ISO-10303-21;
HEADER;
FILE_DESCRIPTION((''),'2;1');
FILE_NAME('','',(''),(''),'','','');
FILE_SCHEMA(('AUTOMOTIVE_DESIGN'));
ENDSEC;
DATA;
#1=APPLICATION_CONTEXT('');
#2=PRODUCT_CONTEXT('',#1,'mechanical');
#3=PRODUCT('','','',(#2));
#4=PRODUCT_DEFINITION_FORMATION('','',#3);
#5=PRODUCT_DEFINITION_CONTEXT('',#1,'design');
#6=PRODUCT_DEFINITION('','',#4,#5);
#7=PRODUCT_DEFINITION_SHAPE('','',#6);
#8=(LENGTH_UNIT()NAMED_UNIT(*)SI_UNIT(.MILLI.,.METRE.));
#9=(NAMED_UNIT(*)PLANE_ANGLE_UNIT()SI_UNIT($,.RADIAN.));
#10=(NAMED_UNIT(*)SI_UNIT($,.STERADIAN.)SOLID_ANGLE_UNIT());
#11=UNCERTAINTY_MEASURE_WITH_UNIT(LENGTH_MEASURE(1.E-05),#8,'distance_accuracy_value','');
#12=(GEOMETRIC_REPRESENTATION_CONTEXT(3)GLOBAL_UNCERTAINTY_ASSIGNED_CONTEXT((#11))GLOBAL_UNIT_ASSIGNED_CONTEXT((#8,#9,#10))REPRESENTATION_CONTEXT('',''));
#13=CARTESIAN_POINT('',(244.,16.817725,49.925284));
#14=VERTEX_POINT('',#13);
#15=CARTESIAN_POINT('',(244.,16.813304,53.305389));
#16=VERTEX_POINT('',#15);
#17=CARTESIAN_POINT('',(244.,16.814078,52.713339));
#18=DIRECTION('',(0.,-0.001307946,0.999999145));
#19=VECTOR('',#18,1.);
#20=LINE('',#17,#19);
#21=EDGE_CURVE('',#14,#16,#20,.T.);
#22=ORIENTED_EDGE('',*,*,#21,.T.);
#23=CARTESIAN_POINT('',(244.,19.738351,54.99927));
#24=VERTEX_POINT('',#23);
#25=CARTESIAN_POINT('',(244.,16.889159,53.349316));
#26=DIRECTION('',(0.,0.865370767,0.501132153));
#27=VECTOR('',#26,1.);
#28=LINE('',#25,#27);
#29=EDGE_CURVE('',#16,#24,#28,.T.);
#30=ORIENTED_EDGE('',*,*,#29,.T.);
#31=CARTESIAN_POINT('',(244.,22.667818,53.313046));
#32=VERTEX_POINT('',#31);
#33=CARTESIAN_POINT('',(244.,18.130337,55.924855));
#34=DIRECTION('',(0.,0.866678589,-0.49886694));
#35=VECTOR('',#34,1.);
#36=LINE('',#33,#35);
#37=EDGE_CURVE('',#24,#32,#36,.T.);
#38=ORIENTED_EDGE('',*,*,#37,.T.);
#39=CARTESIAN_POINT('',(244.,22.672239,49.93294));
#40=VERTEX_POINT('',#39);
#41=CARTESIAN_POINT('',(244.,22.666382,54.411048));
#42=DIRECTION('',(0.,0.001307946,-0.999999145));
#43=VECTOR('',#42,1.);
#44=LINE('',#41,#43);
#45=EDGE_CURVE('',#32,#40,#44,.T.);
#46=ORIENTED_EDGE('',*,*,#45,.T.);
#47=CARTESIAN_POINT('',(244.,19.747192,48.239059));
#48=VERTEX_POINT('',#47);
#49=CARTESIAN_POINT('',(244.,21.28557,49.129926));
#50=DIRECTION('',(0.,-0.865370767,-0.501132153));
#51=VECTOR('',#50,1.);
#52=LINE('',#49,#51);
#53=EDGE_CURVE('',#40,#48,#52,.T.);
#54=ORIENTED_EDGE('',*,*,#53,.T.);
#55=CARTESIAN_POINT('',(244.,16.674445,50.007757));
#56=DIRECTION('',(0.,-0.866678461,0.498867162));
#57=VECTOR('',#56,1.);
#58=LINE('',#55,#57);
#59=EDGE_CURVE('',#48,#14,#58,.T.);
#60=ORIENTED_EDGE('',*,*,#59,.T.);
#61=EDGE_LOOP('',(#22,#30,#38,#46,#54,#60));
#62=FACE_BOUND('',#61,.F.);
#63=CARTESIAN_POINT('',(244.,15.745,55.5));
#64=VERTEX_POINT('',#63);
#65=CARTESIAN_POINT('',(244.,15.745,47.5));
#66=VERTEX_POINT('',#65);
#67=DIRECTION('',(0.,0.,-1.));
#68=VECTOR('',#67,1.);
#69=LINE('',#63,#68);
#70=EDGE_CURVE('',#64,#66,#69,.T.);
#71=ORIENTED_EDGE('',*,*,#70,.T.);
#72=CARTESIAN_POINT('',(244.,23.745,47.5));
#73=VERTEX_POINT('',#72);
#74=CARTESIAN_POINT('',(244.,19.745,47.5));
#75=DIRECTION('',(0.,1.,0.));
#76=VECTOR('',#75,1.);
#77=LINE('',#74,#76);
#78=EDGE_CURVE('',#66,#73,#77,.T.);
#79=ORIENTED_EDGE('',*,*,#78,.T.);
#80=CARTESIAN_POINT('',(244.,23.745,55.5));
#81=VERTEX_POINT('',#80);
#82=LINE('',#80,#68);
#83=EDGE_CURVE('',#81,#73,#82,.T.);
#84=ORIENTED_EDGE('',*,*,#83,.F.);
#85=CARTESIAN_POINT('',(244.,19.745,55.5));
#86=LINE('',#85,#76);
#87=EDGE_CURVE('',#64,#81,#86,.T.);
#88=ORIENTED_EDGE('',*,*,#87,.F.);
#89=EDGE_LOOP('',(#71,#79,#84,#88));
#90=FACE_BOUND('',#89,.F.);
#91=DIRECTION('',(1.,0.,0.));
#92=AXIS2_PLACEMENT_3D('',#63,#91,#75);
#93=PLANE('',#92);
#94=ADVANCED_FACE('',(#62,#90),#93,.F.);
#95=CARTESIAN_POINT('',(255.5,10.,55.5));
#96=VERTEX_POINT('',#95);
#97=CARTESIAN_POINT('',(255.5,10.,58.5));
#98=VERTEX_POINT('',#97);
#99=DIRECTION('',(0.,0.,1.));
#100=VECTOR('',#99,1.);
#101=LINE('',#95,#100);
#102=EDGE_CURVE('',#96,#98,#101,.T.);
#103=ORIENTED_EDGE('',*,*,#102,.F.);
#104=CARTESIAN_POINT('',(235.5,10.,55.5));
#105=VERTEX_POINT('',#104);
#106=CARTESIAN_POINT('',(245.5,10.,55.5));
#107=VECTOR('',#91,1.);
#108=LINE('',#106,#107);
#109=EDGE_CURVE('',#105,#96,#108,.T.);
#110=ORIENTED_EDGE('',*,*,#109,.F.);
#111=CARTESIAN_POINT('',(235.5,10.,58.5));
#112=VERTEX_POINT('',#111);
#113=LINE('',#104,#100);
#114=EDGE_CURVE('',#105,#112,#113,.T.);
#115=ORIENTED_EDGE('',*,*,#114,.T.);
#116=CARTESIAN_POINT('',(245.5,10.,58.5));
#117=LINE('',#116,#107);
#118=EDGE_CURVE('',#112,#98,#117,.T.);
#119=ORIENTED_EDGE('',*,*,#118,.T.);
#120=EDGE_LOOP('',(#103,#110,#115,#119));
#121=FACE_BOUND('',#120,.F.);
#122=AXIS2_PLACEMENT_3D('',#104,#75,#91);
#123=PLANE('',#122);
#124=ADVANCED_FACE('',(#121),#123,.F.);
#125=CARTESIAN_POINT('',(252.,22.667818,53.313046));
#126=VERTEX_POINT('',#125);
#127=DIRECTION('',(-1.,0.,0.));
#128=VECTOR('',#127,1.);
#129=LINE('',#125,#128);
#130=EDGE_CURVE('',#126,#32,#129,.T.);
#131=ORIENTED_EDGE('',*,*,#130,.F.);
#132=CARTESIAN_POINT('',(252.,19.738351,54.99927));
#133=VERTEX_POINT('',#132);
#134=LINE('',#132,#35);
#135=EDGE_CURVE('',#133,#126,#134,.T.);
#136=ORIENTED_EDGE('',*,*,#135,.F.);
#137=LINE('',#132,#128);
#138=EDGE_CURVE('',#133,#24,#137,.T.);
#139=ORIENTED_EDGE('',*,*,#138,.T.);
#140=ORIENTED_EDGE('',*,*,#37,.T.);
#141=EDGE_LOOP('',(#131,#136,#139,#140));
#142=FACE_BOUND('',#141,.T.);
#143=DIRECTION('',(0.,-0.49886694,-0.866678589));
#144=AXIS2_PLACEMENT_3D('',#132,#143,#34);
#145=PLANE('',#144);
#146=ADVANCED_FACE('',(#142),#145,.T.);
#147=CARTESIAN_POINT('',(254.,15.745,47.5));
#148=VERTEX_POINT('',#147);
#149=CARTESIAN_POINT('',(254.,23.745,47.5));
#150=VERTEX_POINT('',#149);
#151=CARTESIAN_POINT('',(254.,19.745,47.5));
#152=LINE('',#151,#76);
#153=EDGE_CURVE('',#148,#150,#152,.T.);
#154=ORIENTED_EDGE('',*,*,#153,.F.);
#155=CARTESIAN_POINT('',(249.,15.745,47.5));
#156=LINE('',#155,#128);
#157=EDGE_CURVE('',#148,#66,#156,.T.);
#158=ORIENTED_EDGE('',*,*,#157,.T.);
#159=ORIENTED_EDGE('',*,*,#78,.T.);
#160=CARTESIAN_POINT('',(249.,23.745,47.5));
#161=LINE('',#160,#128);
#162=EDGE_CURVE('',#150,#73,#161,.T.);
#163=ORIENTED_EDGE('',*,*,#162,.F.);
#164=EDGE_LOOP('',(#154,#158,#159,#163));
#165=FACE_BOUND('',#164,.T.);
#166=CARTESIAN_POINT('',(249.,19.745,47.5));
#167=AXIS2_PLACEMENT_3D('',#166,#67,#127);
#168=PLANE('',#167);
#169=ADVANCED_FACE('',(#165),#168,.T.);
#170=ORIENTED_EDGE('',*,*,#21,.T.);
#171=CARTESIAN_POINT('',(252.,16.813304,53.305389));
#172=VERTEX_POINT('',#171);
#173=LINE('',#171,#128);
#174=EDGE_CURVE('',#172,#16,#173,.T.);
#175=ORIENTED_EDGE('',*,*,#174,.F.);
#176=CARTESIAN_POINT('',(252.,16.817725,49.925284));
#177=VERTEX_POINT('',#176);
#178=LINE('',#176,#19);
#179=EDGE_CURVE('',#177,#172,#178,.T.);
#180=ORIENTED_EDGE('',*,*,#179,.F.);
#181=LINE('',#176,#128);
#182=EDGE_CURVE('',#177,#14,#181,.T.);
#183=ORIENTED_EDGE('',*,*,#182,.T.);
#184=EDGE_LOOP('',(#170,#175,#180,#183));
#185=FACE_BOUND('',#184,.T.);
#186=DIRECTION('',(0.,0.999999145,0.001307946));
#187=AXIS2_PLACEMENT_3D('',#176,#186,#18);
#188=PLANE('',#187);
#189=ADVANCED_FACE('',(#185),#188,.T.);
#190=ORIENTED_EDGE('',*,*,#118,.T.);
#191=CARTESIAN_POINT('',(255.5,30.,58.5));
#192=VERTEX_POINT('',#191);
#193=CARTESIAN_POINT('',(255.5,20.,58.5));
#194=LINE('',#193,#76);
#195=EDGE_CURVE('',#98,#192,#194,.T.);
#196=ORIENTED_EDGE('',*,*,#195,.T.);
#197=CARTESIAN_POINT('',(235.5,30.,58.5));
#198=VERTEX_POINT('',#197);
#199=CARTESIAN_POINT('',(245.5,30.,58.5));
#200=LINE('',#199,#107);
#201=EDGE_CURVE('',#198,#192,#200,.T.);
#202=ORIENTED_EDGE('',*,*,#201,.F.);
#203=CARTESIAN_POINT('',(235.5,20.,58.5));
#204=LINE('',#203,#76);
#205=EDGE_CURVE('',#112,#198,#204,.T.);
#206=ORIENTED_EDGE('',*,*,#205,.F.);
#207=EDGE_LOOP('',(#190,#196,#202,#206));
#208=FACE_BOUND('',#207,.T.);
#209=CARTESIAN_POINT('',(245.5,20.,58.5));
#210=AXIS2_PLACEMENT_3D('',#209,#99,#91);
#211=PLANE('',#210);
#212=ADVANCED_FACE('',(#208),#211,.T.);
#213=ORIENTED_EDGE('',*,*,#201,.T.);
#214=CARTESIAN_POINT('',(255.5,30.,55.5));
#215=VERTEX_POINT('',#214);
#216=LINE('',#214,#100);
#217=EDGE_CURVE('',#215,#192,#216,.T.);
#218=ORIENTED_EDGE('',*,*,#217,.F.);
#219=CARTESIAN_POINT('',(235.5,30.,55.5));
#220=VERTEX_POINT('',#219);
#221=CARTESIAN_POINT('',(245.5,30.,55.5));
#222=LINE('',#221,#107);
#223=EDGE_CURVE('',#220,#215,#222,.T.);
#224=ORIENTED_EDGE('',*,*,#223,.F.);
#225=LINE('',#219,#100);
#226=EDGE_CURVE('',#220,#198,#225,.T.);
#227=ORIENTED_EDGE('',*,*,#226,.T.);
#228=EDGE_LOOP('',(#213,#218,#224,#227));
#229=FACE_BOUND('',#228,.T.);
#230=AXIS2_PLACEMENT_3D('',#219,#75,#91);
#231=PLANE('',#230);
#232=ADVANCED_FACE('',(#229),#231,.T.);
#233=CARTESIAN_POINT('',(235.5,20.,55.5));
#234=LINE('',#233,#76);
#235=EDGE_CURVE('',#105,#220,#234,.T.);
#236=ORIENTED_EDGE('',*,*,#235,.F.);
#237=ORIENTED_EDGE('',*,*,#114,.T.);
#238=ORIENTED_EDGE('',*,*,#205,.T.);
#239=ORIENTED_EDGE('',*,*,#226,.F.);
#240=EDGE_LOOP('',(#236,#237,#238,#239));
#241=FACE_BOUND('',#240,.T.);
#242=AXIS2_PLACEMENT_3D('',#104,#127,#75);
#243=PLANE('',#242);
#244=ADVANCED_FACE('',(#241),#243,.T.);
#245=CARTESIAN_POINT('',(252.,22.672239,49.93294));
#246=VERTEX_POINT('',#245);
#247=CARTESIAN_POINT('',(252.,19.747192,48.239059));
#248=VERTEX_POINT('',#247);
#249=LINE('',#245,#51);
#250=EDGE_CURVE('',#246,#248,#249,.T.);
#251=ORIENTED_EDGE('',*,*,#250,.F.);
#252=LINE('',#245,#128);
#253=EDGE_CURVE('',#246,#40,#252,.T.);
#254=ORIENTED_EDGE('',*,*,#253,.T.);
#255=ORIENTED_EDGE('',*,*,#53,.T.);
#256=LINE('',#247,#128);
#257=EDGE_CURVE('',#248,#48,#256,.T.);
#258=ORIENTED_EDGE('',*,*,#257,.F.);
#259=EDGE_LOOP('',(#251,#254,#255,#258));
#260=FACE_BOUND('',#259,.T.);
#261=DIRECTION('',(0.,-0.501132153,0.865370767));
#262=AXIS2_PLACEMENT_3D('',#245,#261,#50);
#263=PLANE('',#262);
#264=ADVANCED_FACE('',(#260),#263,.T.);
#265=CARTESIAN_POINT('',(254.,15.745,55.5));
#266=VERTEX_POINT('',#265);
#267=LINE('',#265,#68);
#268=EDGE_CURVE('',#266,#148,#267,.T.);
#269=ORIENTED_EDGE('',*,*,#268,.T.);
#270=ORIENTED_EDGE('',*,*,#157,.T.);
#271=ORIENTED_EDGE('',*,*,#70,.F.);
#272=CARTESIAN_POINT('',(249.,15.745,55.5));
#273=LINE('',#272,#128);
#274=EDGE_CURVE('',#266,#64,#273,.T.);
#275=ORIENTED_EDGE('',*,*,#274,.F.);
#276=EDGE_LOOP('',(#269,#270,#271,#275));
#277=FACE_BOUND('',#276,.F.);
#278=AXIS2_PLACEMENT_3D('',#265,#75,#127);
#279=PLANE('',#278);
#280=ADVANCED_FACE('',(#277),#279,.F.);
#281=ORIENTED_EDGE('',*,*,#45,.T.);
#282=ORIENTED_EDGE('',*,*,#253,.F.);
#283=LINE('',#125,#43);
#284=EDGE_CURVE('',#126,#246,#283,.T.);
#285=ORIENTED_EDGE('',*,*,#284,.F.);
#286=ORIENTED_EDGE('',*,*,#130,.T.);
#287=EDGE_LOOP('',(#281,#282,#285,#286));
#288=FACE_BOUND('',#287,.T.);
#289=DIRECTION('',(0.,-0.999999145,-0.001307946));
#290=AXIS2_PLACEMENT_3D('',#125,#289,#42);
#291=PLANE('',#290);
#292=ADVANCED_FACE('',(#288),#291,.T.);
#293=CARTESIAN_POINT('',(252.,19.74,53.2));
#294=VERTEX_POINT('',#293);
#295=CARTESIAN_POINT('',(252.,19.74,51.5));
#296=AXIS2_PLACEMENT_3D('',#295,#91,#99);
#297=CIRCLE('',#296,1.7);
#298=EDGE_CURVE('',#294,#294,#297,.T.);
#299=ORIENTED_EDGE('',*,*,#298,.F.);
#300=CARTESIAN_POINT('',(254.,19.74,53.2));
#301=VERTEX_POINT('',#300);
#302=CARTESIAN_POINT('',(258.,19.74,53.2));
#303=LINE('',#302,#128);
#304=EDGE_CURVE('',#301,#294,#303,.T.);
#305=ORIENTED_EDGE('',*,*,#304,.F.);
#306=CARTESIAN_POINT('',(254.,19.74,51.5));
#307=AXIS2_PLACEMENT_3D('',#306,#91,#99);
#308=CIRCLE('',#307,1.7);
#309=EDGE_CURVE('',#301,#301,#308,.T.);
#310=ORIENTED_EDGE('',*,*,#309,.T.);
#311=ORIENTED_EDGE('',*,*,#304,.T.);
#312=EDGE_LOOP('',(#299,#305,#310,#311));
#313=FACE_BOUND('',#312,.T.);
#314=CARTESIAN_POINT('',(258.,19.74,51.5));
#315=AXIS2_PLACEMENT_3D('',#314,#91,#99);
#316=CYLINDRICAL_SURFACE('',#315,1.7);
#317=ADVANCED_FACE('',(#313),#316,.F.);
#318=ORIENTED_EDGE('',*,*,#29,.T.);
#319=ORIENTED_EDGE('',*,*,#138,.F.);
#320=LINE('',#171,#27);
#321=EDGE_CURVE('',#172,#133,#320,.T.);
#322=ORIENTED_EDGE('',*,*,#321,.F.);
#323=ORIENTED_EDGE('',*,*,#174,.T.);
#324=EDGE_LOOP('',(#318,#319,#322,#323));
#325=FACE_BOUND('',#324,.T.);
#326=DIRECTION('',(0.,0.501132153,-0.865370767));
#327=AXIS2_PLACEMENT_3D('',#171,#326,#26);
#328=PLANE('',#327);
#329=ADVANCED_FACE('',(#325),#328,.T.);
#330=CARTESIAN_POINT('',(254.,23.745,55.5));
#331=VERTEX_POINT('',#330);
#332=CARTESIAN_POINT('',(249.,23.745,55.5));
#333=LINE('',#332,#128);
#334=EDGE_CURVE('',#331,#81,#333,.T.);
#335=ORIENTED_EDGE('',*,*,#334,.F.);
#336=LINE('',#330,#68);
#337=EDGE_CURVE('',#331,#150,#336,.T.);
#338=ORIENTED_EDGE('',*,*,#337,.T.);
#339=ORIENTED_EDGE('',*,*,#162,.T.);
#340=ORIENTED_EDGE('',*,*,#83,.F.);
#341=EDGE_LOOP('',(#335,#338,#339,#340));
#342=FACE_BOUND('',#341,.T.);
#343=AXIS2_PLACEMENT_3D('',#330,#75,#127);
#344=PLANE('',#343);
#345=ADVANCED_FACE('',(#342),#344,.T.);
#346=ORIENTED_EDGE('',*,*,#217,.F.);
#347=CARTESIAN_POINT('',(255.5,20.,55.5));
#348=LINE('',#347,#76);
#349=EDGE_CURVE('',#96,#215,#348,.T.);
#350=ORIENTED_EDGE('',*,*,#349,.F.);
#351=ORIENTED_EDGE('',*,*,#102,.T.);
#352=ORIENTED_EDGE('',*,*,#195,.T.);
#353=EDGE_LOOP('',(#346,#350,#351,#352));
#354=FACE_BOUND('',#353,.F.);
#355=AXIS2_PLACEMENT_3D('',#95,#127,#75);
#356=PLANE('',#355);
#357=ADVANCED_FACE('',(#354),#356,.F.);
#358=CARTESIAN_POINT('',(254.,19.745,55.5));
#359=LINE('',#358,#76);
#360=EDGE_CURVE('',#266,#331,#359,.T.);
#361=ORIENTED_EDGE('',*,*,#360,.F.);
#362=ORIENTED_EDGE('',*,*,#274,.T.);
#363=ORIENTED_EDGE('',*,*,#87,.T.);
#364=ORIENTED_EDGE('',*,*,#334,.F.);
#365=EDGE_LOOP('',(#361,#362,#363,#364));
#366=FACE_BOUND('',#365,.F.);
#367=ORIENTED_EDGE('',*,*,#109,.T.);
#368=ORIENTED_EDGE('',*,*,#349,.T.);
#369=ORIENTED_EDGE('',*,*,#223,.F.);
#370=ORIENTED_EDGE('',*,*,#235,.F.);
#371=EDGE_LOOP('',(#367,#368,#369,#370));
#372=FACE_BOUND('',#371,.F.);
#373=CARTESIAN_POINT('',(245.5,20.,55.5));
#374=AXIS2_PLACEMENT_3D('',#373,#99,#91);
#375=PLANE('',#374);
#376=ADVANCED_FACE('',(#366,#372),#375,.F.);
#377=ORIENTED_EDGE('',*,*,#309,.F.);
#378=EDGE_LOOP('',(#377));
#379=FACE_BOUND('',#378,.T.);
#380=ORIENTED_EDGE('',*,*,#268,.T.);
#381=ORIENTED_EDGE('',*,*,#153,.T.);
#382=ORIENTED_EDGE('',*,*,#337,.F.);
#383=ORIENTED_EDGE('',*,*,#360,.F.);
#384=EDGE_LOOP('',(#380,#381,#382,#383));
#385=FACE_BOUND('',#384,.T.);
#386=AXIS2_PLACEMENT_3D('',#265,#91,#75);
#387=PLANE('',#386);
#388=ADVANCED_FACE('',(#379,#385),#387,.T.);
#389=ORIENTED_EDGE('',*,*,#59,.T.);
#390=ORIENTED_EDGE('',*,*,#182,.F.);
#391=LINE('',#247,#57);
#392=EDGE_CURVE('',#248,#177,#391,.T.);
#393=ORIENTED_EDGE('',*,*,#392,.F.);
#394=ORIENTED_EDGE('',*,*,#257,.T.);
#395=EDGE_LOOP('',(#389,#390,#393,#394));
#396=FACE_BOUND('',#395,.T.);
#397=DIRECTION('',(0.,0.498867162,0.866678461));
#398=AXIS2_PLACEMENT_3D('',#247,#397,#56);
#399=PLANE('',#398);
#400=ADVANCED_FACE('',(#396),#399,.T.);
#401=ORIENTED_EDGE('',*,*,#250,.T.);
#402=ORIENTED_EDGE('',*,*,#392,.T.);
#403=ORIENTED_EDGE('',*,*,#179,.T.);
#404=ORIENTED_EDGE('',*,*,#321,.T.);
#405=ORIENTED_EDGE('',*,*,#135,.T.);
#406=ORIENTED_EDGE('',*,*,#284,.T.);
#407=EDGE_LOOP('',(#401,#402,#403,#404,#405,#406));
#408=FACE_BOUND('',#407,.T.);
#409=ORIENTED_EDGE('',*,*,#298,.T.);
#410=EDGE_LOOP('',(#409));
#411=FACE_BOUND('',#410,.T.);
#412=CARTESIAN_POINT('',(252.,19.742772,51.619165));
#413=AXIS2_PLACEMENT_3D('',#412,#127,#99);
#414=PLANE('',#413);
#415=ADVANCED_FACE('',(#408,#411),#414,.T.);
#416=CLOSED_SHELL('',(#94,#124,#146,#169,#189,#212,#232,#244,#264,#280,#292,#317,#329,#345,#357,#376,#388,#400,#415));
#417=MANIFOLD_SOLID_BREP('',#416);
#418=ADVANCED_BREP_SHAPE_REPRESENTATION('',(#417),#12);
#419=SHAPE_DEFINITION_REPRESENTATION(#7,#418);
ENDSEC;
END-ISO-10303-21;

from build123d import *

# Parameters (mm, degrees)
CYLINDER032_R              = 1.7
CYLINDER032_DEPTH          = 20
EXTRUDE005_DEPTH           = 9
EXTRUDE005_PLACEMENT_ANGLE = 90
BOX044_W                   = 10
BOX044_H                   = 8
BOX044_DEPTH               = 8
CUT053_PLACEMENT_ANGLE     = 180
BOX043_W                   = 20
BOX043_H                   = 20
BOX043_DEPTH               = 3


with BuildPart() as cylinder032:
    # Cylinder032 → Cylinder032 (new body)
    with BuildSketch(Plane(origin=(140, 9.74, 51.5), x_dir=(0, 0, -1), z_dir=(1, 0, 0))):
        Circle(CYLINDER032_R)
    extrude(amount=CYLINDER032_DEPTH)


with BuildPart() as extrude005:
    # Sketch005 → Extrude005 (new body)
    with BuildSketch(Plane.XY.offset(75)):
        Polygon((-29.694611, 6.813304), (-28.00073, 9.738351), (-29.686954, 12.667818), (-33.06706, 12.672239), (-34.760941, 9.747192), (-33.074716, 6.817725), align=None)
    extrude(amount=EXTRUDE005_DEPTH)


with BuildPart() as extrude005_1:
    # Extrude005 placement: moved
    add(extrude005.part.moved(Location((71, 0, 0))).rotate(Axis((71, 0, 0), (0, 1, 0)), EXTRUDE005_PLACEMENT_ANGLE))


with BuildPart() as cut053:
    # Box044 → Box044 (new body)
    with BuildSketch(Plane(origin=(144, 5.745, 27.5), x_dir=(1, 0, 0), z_dir=(0, 0, 1))):
        with Locations((5, 4)):
            Rectangle(BOX044_W, BOX044_H)
    extrude(amount=BOX044_DEPTH)

    # Cut052: cut Extrude005
    add(extrude005_1.part, mode=Mode.SUBTRACT)


with BuildPart() as cut053_1:
    # Cut052 placement: moved
    add(cut053.part.moved(Location((0, 0, 20))))

    # Cut053: cut Cylinder032
    add(cylinder032.part, mode=Mode.SUBTRACT)


with BuildPart() as cut053_2:
    # Cut053 placement: moved
    add(cut053_1.part.moved(Location((398, 10, 103))).rotate(Axis((398, 10, 103), (0, 1, 0)), CUT053_PLACEMENT_ANGLE))


with BuildPart() as topmounttest:
    # Box043 → Box043 (new body)
    with BuildSketch(Plane(origin=(235.5, 10, 55.5), x_dir=(1, 0, 0), z_dir=(0, 0, 1))):
        with Locations((10, 10)):
            Rectangle(BOX043_W, BOX043_H)
    extrude(amount=BOX043_DEPTH)

    # Fusion002: union Cut053
    add(cut053_2.part)


solid = topmounttest.part
